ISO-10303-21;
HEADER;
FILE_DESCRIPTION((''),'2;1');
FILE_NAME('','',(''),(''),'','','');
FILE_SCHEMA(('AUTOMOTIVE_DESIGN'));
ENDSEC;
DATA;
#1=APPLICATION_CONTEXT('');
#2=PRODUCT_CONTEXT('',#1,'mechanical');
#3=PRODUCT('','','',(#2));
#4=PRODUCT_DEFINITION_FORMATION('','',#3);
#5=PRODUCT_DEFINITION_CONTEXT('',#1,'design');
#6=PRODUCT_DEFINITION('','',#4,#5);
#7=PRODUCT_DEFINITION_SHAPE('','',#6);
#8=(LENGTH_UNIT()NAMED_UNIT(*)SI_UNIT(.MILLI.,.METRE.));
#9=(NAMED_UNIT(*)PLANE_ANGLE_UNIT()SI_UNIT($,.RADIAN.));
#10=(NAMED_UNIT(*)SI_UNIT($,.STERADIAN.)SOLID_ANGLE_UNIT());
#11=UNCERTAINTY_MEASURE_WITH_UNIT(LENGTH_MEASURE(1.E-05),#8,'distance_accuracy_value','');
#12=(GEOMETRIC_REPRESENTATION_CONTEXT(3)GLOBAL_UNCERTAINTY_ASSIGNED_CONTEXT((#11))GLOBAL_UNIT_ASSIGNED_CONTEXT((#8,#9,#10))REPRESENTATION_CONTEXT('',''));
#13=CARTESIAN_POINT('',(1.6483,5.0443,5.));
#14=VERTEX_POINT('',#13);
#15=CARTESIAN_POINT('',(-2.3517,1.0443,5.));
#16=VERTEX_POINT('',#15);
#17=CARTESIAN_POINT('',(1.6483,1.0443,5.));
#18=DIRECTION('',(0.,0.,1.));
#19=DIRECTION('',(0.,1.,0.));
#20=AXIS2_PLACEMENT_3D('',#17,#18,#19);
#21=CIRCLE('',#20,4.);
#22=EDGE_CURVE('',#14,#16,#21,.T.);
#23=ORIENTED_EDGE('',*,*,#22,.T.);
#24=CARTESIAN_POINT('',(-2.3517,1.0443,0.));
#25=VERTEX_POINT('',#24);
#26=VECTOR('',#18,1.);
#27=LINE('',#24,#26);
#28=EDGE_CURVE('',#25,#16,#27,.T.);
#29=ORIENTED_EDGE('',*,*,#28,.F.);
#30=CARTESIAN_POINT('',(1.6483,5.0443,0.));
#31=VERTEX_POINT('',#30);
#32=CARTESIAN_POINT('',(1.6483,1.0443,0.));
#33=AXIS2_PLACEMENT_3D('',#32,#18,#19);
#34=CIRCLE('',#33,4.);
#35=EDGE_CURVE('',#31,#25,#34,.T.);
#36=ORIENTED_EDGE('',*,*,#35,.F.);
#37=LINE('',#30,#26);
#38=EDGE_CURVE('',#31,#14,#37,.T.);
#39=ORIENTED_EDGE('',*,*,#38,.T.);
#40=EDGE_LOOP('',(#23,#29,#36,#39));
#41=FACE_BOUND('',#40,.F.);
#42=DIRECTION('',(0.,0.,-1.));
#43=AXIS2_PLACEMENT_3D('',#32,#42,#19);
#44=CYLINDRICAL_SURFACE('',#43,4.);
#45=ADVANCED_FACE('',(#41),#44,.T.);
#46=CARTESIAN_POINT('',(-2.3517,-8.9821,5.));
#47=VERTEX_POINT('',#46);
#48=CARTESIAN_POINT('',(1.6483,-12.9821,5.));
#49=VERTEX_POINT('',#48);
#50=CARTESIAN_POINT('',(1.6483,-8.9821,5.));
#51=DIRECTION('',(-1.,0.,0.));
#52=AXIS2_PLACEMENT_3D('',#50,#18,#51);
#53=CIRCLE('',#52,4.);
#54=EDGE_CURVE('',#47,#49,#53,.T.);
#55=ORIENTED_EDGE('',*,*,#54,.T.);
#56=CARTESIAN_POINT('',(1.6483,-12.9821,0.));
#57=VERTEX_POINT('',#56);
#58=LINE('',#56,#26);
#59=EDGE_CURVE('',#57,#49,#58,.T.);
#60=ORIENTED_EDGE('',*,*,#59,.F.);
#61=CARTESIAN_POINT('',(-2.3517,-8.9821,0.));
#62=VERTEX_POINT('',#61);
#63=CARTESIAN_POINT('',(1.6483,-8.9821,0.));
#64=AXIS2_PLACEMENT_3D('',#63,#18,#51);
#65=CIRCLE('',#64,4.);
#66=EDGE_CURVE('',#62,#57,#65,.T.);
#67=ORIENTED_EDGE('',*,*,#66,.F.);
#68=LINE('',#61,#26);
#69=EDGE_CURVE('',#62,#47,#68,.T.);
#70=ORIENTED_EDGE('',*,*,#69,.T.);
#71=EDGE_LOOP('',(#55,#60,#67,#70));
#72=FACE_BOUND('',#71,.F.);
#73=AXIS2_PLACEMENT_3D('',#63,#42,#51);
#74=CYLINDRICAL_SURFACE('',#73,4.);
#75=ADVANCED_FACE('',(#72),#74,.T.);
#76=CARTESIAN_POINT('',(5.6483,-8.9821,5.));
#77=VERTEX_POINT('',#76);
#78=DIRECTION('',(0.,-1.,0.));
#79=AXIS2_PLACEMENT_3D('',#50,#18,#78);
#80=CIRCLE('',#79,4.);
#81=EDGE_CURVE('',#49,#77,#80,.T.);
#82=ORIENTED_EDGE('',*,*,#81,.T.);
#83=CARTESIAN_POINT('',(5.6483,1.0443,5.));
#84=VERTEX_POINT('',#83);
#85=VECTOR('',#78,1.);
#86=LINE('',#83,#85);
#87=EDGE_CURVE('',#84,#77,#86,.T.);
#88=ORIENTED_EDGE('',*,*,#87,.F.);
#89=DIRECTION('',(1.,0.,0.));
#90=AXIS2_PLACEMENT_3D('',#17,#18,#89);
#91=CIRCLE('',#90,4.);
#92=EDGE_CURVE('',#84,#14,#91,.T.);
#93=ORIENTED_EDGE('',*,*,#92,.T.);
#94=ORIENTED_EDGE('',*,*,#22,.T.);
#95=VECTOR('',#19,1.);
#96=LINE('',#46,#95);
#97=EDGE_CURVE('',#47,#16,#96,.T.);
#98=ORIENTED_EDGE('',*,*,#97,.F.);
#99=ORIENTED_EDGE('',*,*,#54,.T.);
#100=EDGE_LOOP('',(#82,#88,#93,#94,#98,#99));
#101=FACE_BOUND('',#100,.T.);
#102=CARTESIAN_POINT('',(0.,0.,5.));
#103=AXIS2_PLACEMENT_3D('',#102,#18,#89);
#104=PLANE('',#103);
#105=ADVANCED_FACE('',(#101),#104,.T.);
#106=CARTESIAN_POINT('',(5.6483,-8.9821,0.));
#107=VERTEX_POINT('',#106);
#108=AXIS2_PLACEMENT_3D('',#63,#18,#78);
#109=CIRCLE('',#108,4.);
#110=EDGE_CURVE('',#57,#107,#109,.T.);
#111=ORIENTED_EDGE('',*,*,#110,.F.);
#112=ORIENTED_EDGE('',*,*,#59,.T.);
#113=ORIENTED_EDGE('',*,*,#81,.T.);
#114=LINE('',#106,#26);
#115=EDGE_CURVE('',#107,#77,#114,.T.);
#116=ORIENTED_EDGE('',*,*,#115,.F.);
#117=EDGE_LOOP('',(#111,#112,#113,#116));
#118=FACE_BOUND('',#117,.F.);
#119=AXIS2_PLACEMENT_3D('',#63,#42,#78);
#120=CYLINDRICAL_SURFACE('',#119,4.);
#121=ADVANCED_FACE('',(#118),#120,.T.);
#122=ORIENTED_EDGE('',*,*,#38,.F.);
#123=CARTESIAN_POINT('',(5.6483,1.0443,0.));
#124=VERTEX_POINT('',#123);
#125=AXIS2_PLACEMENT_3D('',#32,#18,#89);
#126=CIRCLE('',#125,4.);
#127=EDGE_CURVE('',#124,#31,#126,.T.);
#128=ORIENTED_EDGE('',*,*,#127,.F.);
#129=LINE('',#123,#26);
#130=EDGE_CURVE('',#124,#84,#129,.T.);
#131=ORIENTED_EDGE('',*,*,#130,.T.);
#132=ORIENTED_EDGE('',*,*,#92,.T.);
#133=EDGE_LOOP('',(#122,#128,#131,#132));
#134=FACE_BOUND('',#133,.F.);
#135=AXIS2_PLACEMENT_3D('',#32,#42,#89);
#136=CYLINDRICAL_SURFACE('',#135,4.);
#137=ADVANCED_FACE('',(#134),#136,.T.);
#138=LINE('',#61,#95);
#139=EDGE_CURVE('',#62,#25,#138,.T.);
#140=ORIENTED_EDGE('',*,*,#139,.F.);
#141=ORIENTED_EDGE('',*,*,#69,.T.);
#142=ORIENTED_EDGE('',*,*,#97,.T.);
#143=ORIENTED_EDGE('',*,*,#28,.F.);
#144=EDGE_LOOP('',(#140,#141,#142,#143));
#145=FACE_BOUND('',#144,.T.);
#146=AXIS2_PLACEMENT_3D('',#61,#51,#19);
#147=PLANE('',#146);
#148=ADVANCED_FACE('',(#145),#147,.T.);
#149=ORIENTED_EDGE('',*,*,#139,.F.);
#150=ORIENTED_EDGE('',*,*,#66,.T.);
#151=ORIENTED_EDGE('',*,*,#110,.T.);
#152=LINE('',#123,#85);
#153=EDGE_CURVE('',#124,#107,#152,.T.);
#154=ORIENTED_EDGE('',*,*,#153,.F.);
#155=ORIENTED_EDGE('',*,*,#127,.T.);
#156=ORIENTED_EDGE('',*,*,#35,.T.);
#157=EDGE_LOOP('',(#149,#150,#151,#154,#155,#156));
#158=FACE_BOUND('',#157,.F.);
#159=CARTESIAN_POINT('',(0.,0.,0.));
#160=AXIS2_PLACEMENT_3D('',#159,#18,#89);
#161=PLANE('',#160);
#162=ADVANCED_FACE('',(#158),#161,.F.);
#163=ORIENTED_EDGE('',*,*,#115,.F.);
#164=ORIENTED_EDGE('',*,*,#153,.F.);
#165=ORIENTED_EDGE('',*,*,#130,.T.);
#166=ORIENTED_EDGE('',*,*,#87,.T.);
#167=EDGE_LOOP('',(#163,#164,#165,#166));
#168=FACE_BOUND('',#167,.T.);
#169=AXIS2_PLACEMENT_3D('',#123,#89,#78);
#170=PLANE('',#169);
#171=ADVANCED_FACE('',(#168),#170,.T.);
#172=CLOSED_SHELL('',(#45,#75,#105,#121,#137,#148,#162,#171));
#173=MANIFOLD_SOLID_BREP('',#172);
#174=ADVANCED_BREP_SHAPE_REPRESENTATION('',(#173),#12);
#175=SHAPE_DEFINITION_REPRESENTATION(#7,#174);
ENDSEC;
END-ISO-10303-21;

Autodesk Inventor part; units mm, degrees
ref_plane "YZ Plane" through (0, 0, 0) normal (1, 0, 0) x (0, 1, 0)
ref_plane "XZ Plane" through (0, 0, 0) normal (0, 1, 0) x (-1, 0, 0)
ref_plane "XY Plane" through (0, 0, 0) normal (0, 0, 1) x (1, 0, 0)
sketch "Sketch1" plane through (0, 0, 0) normal (0, 0, 1) x (1, 0, 0)
  line L0 (1.6483, 5.0443) -> (1.6483, 5.0443)
  line L1 (5.6483, 1.0443) -> (5.6483, -8.9821)
  line L2 (1.6483, -12.9821) -> (1.6483, -12.9821)
  line L3 (-2.3517, -8.9821) -> (-2.3517, 1.0443)
  arc A0 (1.6483, -12.9821) -> (5.6483, -8.9821) centre (1.6483, -8.9821) ccw
  arc A1 (-2.3517, -8.9821) -> (1.6483, -12.9821) centre (1.6483, -8.9821) ccw
  arc A2 (1.6483, 5.0443) -> (-2.3517, 1.0443) centre (1.6483, 1.0443) ccw
  arc A3 (5.6483, 1.0443) -> (1.6483, 5.0443) centre (1.6483, 1.0443) ccw
  point P0 (0, 0)
  point P1 (5.6483, -12.9821)
  point P2 (-2.3517, -12.9821)
  dimension "d0" = 8
  dimension "d1" = 4
  dimension "d2" = 10.0263
extrude "Extrusion1" add sketch "Sketch1" along normal blind 5
equation "\"d2\" = LengthM"
equation "\"LengthM\" = 10.02632"
properties part number "SingleCrank"
